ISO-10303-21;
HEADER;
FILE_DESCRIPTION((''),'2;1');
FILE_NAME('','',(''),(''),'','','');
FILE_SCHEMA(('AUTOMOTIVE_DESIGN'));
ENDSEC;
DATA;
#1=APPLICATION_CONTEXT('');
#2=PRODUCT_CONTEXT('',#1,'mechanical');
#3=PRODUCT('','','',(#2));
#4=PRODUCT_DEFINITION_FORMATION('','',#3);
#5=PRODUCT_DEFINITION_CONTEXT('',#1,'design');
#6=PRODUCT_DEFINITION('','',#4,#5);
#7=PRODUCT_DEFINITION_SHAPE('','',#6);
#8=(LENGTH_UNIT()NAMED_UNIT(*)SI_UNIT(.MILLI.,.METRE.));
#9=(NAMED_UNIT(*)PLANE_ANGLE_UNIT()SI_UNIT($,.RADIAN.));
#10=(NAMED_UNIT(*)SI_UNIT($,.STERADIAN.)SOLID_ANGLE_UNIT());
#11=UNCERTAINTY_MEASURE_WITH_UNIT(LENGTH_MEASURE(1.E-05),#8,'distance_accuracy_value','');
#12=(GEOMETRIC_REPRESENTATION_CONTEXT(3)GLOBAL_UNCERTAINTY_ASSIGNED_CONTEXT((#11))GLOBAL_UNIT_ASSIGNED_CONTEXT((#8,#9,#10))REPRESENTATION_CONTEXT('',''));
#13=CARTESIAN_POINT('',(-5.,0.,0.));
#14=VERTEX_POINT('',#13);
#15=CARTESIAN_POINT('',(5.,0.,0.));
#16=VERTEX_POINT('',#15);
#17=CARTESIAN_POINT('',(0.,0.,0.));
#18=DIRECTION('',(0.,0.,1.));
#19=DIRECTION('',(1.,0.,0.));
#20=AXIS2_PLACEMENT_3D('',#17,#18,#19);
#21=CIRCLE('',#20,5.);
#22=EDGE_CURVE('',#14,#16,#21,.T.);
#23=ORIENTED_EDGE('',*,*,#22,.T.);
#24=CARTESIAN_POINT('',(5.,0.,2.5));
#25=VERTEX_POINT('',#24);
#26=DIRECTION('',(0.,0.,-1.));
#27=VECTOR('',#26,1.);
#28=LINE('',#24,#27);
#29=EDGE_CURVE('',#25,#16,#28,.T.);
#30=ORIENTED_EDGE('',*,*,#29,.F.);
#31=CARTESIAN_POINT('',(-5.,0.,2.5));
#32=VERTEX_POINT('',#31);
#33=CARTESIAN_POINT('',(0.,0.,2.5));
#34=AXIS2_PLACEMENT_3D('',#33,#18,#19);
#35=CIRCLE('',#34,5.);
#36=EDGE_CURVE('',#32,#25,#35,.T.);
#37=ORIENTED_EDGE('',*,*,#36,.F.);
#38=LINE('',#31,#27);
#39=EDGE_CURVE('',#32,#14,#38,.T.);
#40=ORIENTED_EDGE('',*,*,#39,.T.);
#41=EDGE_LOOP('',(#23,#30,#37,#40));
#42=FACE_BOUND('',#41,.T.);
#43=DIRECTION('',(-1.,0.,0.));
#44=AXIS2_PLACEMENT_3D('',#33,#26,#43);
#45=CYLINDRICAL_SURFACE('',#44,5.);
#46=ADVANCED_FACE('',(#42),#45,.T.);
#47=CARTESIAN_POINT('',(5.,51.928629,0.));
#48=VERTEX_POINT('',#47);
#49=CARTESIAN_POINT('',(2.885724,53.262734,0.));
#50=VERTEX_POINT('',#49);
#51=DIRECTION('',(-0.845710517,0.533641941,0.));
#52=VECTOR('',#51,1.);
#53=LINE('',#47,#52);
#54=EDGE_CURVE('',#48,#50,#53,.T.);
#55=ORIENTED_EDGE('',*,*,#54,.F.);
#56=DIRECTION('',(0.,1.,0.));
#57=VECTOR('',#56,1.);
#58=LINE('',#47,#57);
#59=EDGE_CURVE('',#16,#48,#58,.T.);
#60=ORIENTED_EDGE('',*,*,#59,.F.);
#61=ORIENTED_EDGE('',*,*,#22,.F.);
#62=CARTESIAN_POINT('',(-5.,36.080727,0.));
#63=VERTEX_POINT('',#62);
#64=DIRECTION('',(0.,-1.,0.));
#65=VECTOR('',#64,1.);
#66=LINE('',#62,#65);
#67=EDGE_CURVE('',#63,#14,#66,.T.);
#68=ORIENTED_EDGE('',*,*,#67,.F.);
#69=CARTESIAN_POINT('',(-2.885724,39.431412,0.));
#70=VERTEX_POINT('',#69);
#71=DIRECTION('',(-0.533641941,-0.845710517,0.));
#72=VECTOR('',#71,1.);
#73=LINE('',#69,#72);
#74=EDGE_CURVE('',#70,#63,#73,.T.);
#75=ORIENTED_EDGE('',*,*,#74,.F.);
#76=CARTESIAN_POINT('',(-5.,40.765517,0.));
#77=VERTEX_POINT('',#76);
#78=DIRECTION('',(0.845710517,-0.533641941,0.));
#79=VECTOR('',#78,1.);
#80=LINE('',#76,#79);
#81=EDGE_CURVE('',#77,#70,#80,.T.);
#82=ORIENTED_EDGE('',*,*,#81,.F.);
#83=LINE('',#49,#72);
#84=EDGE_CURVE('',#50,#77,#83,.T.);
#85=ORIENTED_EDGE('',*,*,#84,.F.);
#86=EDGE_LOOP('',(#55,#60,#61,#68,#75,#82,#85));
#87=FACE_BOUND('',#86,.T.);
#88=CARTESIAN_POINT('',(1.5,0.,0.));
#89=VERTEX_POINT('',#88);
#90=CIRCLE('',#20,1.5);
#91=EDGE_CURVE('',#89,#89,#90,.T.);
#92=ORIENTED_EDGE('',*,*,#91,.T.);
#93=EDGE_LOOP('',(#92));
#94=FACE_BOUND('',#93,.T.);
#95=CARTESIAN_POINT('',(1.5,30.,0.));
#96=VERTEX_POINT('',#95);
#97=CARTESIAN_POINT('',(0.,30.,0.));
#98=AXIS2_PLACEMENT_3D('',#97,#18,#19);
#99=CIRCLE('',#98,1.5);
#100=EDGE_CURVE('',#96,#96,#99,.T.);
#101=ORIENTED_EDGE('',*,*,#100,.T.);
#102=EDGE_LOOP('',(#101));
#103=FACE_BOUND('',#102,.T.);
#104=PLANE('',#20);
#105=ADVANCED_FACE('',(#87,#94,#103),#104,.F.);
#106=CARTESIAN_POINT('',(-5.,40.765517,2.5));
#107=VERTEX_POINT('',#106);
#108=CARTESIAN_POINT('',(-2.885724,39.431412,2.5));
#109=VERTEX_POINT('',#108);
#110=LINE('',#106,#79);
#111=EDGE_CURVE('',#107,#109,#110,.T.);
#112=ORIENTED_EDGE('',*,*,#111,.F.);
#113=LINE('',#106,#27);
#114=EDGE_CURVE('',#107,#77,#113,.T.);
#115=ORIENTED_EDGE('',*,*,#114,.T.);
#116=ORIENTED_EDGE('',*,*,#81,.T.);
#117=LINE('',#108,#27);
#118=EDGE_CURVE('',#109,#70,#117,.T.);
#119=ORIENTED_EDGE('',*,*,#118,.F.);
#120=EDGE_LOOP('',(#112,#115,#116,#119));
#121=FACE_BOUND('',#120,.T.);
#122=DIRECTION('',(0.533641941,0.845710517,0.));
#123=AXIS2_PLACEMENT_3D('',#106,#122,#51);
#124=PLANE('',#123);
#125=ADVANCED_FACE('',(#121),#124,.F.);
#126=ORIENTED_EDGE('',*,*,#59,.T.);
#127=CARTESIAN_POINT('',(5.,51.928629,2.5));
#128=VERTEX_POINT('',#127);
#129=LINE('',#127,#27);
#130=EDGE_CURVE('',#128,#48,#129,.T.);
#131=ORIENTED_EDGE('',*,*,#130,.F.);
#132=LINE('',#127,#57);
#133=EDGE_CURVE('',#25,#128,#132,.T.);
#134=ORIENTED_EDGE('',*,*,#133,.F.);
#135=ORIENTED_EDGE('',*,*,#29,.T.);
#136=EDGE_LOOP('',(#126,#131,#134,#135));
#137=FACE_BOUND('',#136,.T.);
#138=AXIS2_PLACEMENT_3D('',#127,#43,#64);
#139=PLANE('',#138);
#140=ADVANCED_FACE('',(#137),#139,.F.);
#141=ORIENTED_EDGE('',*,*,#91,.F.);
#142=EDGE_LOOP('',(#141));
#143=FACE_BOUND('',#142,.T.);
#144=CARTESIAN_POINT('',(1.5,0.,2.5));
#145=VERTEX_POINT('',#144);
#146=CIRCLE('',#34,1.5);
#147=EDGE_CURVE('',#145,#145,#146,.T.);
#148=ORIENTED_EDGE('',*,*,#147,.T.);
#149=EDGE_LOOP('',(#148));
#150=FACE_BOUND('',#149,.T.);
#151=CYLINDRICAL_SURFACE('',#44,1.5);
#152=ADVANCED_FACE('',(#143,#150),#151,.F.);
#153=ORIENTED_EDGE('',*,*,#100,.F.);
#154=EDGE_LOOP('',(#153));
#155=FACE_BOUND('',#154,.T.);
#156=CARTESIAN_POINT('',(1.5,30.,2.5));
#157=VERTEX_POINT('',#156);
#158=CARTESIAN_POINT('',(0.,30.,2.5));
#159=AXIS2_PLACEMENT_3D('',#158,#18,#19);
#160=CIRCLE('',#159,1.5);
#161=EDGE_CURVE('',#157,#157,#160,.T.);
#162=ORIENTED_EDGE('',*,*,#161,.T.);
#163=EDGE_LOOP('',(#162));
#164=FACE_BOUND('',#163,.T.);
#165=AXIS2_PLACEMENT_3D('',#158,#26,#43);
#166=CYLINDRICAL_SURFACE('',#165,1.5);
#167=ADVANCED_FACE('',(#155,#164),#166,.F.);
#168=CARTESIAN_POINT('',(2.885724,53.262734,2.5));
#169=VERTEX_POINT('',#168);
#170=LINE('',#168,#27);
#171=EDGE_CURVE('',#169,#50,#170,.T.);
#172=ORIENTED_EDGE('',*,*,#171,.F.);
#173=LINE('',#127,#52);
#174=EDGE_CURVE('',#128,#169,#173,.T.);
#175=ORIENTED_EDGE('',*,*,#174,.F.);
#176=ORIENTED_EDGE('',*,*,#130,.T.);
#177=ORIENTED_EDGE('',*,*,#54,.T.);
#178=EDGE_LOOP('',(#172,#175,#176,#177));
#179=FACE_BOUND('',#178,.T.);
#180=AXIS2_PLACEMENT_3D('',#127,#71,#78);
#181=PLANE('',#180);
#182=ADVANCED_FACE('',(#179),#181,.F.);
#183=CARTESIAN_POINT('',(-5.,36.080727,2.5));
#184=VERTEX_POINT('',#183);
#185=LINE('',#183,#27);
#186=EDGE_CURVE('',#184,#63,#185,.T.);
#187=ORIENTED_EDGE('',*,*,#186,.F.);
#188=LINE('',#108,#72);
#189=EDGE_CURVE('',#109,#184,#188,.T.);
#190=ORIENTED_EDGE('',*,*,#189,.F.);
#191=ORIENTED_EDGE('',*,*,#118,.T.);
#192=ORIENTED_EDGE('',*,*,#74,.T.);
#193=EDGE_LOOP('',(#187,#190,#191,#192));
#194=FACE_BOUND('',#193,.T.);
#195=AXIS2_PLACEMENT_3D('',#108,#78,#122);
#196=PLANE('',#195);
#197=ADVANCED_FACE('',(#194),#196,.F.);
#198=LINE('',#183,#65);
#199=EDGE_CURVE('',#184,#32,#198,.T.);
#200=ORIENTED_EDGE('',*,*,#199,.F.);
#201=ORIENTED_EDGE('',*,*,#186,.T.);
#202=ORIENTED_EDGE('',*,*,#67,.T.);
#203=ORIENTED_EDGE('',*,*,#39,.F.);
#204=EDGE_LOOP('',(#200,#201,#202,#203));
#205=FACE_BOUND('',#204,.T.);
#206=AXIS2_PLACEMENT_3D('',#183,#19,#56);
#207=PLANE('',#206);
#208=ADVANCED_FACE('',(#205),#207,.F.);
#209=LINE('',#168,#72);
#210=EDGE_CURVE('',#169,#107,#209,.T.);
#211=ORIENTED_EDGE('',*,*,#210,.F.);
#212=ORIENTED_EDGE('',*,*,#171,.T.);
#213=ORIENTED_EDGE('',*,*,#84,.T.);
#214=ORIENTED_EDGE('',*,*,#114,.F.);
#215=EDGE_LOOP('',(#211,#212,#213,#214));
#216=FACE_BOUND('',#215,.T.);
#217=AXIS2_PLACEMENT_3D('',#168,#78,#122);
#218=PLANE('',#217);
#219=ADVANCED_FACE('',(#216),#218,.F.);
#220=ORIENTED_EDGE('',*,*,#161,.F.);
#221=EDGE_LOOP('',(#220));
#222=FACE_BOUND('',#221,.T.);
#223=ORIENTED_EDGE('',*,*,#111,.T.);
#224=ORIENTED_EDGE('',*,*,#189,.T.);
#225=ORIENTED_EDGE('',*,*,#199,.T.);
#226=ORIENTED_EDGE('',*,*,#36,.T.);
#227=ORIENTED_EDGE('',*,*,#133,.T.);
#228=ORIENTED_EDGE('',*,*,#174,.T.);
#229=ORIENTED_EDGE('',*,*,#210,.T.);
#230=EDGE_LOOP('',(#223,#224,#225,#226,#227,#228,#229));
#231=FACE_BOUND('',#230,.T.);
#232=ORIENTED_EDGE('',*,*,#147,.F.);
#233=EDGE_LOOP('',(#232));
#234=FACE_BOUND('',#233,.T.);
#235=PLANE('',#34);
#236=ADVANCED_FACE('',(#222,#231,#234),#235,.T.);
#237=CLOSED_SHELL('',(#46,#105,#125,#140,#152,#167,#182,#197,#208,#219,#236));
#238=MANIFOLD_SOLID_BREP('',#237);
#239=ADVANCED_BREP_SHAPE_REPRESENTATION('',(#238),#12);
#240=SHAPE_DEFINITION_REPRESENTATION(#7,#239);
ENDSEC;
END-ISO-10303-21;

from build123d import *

# Parameters (mm, degrees)
CROQUIS1_R              = 1.5
SALIENTE_EXTRUIR1_DEPTH = 2.5


with BuildPart() as part:
    # Croquis1 → Saliente-Extruir1 (new body)
    with BuildSketch(Plane.XY):
        with BuildLine():
            Line((-5, 36.080727307), (-5, 0))
            ThreePointArc((-5, 0), (0, -5), (5, 0))
            Line((5, 0), (5, 51.928629296))
            Line((5, 51.928629296), (2.885723707, 53.262734147))
            Line((2.885723707, 53.262734147), (-5, 40.765516506))
            Line((-5, 40.765516506), (-2.885723707, 39.431411654))
            Line((-2.885723707, 39.431411654), (-5, 36.080727307))
        make_face()
        Circle(CROQUIS1_R, mode=Mode.SUBTRACT)
        with Locations((0, 30)):
            Circle(CROQUIS1_R, mode=Mode.SUBTRACT)
    extrude(amount=SALIENTE_EXTRUIR1_DEPTH)


solid = part.part
